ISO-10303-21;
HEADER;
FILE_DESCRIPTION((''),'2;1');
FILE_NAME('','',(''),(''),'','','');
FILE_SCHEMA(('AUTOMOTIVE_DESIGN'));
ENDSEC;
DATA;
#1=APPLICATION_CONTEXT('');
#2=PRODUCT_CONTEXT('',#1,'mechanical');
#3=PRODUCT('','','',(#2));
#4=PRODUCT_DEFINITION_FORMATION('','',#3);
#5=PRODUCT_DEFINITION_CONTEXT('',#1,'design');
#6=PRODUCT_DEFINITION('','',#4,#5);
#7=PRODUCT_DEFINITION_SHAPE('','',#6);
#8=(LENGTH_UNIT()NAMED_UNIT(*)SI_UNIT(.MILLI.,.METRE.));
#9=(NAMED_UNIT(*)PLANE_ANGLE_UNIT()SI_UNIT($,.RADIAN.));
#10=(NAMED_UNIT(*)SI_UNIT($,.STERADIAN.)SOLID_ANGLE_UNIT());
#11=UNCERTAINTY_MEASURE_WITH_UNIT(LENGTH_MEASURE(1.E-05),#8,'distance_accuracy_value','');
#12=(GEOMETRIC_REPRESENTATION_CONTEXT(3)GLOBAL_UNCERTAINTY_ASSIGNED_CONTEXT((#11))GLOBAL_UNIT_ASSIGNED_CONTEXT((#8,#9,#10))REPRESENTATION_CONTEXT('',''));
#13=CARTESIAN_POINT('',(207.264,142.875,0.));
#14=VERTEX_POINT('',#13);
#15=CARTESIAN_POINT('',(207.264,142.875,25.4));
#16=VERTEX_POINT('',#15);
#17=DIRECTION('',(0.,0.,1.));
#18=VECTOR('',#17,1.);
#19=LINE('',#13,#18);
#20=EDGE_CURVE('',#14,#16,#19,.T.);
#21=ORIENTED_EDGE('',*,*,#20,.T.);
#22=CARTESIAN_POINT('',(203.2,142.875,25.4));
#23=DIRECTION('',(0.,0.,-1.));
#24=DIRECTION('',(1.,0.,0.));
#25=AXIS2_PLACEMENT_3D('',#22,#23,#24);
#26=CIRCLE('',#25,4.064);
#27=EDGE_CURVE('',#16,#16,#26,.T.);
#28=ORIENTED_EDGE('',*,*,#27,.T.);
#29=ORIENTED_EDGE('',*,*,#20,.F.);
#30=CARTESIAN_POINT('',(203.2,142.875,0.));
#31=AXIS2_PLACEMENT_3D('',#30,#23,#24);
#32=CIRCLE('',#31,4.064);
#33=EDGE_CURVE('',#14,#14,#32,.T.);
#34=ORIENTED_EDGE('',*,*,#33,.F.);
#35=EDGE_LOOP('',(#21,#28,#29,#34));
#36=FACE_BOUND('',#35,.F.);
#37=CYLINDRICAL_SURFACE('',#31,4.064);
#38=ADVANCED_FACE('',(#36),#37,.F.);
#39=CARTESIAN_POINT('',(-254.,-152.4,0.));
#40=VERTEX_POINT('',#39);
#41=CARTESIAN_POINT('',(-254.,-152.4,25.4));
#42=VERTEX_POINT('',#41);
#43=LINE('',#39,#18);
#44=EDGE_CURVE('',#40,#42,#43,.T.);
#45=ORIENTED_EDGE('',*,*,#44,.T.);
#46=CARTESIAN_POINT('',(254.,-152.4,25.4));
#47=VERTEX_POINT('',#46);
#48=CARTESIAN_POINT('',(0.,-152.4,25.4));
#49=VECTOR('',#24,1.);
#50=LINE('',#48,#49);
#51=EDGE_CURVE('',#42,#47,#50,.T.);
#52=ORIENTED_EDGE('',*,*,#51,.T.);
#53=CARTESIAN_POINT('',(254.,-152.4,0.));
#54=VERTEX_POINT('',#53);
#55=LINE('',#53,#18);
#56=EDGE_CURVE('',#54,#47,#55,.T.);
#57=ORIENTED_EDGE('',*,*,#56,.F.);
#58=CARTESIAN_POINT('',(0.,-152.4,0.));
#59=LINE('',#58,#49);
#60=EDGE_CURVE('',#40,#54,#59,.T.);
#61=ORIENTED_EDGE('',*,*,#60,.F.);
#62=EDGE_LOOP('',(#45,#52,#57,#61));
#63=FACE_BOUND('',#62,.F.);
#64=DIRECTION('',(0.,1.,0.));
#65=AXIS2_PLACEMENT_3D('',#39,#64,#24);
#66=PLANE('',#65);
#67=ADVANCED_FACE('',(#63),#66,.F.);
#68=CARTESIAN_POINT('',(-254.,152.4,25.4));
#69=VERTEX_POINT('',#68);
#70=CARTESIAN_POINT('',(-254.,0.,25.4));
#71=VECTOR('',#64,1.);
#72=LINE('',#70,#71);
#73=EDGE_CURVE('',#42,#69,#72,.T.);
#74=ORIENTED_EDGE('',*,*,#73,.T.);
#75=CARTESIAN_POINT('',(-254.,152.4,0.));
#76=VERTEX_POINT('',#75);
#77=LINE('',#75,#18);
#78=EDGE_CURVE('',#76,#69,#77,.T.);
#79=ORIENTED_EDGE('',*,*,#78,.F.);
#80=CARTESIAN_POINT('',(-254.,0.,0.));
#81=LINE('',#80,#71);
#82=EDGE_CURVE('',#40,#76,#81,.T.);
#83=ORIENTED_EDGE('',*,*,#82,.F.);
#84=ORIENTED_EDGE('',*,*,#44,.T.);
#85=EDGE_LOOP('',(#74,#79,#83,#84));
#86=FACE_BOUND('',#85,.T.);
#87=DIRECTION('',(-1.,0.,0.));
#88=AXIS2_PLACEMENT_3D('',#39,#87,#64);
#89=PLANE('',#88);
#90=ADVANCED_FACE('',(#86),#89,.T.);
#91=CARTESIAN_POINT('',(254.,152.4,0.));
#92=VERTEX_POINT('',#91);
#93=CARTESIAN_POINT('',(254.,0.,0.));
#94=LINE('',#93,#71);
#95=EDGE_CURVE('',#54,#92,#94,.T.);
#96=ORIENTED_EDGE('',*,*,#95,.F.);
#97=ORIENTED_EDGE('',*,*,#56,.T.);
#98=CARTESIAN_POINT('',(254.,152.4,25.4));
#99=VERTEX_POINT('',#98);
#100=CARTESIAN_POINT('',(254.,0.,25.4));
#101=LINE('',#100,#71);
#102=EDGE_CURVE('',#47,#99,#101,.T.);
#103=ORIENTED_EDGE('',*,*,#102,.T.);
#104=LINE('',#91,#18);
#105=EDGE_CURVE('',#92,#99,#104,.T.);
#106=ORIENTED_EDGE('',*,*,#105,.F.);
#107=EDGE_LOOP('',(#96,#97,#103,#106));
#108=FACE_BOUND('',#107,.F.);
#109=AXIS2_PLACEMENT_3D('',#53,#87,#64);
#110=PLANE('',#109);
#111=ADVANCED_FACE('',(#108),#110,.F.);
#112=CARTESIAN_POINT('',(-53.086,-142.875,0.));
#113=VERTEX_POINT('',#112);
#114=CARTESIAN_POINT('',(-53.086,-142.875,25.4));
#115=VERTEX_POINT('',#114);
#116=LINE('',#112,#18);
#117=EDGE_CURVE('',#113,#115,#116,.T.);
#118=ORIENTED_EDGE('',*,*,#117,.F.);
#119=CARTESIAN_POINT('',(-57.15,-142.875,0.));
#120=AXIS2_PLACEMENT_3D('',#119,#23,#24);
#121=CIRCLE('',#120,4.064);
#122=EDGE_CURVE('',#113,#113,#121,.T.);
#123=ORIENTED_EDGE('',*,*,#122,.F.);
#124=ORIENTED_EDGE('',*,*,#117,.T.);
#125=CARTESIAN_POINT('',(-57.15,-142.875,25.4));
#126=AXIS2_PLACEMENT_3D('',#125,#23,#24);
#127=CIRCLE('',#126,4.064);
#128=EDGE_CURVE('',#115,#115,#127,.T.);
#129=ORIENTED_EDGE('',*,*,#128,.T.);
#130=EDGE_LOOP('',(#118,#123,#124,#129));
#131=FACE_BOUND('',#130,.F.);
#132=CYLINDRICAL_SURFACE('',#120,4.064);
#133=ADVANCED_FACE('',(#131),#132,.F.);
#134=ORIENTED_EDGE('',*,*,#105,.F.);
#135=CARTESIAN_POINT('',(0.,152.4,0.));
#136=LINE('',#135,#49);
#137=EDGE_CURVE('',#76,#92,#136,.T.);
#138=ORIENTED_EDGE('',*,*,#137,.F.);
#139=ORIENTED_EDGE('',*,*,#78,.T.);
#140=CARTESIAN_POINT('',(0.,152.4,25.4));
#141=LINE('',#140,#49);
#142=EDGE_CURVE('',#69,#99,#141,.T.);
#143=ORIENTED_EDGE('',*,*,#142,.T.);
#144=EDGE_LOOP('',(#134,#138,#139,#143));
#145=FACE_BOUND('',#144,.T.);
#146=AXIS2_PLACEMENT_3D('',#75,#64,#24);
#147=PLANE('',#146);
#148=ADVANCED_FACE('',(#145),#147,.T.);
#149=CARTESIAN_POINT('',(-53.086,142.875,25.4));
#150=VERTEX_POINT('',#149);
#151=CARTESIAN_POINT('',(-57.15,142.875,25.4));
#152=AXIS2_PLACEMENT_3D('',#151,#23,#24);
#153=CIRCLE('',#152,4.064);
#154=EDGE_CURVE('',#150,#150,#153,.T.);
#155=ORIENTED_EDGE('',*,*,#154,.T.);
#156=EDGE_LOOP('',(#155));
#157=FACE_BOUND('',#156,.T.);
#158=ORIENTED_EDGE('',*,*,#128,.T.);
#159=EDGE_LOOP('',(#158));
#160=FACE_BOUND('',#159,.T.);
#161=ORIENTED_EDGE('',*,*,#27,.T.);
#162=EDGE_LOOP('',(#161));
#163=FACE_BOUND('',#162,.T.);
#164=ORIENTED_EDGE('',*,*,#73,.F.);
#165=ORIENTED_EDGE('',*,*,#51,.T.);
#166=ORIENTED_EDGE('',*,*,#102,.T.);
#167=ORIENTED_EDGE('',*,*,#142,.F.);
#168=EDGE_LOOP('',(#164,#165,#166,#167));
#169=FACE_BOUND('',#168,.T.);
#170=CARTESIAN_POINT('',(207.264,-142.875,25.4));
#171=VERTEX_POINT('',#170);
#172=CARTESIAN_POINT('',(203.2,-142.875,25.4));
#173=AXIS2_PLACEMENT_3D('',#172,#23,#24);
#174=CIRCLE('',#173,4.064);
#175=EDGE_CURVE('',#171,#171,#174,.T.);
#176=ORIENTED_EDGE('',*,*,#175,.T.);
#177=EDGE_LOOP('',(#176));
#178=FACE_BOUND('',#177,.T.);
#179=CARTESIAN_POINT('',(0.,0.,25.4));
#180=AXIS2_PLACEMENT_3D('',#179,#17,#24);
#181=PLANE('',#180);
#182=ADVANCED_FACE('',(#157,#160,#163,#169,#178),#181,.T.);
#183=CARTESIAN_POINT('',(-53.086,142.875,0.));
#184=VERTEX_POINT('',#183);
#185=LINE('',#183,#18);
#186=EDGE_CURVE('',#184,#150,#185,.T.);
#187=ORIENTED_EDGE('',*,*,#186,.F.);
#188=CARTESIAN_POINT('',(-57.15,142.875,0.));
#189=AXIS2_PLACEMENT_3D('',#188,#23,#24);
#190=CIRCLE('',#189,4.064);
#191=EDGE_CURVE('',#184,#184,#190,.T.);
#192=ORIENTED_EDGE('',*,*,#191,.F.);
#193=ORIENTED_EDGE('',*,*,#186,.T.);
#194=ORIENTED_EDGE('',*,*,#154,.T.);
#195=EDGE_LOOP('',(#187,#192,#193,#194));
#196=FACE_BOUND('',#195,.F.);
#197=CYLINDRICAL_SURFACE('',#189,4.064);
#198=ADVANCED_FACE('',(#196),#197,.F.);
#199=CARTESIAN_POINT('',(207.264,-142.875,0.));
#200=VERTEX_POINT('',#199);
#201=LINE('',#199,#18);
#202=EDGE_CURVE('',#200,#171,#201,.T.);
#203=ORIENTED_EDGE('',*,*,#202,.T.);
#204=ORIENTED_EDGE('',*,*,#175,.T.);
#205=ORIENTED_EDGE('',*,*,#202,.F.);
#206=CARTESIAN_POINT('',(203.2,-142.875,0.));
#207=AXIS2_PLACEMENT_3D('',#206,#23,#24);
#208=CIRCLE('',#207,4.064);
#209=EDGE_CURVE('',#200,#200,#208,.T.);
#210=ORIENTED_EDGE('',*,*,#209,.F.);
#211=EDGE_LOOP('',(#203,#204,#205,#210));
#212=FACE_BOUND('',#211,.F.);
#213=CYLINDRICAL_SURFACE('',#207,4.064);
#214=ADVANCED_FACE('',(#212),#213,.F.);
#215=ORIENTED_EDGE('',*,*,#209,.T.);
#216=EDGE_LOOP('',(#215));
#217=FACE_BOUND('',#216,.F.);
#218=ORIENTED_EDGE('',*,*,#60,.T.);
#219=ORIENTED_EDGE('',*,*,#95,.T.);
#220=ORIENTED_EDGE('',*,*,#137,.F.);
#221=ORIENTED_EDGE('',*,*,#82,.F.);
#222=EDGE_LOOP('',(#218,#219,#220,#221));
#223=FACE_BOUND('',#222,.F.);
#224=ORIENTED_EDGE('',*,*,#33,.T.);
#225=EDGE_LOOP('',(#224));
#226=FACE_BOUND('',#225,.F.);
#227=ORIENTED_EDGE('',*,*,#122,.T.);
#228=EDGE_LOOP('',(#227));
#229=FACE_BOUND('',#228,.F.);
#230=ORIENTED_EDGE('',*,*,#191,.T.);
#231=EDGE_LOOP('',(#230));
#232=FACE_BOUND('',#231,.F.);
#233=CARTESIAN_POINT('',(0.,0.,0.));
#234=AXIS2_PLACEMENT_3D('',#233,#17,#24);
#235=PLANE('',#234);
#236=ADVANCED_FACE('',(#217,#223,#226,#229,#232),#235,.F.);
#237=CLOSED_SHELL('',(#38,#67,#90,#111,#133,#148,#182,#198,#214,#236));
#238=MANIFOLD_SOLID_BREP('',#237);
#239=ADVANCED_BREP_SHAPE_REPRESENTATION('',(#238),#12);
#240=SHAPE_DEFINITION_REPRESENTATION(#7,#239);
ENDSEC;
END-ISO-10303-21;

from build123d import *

# Parameters (mm, degrees)
F0_W     = 508
F0_H     = 304.8
F1_DEPTH = 25.4
F2_R     = 4.064
F3_DEPTH = 25.401


with BuildPart() as f1:
    # F0 (on Top) → F1 (new body)
    with BuildSketch(Plane.XY):
        Rectangle(F0_W, F0_H)
    extrude(amount=F1_DEPTH)

    # F2 (on face) → F3 (cut, through all)
    with BuildSketch(Plane(origin=(0, 0, 0), x_dir=(1, 0, 0), z_dir=(0, 0, -1))):
        with Locations((-57.15, 142.875)):
            Circle(F2_R)
        with Locations((203.2, 142.875)):
            Circle(F2_R)
        with Locations((203.2, -142.875)):
            Circle(F2_R)
        with Locations((-57.15, -142.875)):
            Circle(F2_R)
    extrude(amount=-F3_DEPTH, mode=Mode.SUBTRACT)


solid = f1.part
